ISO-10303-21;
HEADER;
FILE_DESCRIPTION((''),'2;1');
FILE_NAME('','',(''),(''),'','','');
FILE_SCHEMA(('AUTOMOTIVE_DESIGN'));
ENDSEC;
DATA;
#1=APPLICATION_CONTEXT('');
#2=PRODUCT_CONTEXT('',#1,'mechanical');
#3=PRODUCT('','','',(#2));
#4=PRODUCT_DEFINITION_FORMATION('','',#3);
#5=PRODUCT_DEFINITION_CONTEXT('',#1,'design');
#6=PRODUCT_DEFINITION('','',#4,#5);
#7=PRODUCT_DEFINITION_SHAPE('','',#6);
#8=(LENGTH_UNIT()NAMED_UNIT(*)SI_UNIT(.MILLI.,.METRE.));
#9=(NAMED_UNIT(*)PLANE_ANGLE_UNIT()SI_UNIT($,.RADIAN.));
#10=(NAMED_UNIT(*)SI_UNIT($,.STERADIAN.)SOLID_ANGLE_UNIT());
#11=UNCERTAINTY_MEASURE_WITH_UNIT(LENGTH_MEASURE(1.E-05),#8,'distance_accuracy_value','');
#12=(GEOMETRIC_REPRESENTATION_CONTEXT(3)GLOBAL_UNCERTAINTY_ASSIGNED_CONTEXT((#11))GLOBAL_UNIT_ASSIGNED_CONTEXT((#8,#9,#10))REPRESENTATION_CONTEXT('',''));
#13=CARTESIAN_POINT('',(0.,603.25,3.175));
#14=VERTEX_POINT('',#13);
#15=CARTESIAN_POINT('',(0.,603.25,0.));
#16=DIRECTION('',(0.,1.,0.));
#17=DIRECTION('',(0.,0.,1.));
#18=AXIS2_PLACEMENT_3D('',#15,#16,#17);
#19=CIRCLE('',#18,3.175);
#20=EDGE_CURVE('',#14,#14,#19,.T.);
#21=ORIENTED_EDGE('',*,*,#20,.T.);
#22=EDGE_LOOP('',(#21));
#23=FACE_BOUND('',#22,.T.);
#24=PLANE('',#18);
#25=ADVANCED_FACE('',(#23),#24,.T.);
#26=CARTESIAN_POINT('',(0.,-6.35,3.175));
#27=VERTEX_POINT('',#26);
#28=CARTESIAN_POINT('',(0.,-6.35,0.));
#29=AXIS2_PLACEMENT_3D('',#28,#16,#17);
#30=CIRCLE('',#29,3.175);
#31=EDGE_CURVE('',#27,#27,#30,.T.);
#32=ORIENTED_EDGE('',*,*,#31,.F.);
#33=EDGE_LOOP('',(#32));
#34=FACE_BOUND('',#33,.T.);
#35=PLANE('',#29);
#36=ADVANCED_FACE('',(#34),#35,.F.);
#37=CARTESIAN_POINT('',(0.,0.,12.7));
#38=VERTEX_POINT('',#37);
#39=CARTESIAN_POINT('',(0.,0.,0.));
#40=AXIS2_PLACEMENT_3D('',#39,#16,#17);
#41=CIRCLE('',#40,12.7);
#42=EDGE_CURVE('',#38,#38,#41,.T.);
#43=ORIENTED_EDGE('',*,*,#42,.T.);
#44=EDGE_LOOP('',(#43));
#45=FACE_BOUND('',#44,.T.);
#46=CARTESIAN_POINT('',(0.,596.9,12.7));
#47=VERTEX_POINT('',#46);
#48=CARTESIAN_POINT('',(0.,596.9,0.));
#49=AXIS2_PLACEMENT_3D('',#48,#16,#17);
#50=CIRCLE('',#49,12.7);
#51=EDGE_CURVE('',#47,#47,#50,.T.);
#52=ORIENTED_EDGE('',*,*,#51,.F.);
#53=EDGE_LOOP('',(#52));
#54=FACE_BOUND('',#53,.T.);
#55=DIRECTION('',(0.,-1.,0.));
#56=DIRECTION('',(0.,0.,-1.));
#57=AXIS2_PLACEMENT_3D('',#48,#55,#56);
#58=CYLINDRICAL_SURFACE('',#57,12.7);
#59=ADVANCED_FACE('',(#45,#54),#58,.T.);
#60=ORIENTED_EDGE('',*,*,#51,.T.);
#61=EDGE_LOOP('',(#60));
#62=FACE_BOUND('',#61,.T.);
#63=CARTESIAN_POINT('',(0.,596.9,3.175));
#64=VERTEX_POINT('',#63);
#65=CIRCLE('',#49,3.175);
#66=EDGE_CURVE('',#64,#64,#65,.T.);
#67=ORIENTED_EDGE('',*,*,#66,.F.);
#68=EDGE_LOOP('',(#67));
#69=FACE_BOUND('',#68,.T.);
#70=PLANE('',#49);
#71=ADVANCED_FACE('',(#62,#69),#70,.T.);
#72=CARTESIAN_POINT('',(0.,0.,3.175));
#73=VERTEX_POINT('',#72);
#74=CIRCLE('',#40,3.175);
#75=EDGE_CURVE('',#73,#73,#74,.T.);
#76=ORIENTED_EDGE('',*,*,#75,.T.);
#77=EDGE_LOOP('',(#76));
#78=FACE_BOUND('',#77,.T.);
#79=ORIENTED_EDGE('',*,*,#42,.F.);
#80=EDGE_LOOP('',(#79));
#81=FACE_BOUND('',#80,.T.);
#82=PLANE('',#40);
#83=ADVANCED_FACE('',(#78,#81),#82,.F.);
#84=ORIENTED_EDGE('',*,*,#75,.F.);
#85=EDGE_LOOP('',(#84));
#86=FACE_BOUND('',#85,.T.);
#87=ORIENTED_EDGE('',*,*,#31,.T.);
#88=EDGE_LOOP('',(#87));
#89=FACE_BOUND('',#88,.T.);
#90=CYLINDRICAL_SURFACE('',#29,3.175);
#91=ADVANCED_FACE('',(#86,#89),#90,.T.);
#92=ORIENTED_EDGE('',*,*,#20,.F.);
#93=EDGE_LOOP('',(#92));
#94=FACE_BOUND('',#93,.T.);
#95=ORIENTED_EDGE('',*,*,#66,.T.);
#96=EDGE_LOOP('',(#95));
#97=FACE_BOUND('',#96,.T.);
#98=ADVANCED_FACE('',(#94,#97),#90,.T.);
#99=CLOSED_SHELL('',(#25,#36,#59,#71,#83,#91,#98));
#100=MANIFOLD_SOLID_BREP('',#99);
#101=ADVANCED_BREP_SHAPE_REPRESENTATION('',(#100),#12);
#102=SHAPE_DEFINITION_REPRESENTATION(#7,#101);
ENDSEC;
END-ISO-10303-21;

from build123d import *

# Parameters (mm, degrees)
SKETCH1_R                = 12.7
BOSS_EXTRUDE1_DEPTH      = 596.9
BOSS_EXTRUDE2_DEPTH      = 6.35
BOSS_EXTRUDE2_DEPTH_BACK = 603.25
SKETCH2_R                = 3.175


with BuildPart() as part:
    # Sketch1 → Boss-Extrude1 (new body)
    with BuildSketch(Plane(origin=(0, 0, 0), x_dir=(1, 0, 0), z_dir=(0, 1, 0))):
        with Locations(Location((0, 0, 0), (0, 0, 270))):
            Circle(SKETCH1_R)
    extrude(amount=BOSS_EXTRUDE1_DEPTH)

    # Sketch2 → Boss-Extrude2 (add, two sides: drawn at the far end of the back side and taken through both)
    with BuildSketch(Plane(origin=(0, 596.9, 0), x_dir=(-1, 0, 0), z_dir=(0, 1, 0)).offset(-BOSS_EXTRUDE2_DEPTH_BACK)):
        with Locations(Location((0, 0, 0), (0, 0, 90))):
            Circle(SKETCH2_R)
    extrude(amount=BOSS_EXTRUDE2_DEPTH + BOSS_EXTRUDE2_DEPTH_BACK)


solid = part.part
